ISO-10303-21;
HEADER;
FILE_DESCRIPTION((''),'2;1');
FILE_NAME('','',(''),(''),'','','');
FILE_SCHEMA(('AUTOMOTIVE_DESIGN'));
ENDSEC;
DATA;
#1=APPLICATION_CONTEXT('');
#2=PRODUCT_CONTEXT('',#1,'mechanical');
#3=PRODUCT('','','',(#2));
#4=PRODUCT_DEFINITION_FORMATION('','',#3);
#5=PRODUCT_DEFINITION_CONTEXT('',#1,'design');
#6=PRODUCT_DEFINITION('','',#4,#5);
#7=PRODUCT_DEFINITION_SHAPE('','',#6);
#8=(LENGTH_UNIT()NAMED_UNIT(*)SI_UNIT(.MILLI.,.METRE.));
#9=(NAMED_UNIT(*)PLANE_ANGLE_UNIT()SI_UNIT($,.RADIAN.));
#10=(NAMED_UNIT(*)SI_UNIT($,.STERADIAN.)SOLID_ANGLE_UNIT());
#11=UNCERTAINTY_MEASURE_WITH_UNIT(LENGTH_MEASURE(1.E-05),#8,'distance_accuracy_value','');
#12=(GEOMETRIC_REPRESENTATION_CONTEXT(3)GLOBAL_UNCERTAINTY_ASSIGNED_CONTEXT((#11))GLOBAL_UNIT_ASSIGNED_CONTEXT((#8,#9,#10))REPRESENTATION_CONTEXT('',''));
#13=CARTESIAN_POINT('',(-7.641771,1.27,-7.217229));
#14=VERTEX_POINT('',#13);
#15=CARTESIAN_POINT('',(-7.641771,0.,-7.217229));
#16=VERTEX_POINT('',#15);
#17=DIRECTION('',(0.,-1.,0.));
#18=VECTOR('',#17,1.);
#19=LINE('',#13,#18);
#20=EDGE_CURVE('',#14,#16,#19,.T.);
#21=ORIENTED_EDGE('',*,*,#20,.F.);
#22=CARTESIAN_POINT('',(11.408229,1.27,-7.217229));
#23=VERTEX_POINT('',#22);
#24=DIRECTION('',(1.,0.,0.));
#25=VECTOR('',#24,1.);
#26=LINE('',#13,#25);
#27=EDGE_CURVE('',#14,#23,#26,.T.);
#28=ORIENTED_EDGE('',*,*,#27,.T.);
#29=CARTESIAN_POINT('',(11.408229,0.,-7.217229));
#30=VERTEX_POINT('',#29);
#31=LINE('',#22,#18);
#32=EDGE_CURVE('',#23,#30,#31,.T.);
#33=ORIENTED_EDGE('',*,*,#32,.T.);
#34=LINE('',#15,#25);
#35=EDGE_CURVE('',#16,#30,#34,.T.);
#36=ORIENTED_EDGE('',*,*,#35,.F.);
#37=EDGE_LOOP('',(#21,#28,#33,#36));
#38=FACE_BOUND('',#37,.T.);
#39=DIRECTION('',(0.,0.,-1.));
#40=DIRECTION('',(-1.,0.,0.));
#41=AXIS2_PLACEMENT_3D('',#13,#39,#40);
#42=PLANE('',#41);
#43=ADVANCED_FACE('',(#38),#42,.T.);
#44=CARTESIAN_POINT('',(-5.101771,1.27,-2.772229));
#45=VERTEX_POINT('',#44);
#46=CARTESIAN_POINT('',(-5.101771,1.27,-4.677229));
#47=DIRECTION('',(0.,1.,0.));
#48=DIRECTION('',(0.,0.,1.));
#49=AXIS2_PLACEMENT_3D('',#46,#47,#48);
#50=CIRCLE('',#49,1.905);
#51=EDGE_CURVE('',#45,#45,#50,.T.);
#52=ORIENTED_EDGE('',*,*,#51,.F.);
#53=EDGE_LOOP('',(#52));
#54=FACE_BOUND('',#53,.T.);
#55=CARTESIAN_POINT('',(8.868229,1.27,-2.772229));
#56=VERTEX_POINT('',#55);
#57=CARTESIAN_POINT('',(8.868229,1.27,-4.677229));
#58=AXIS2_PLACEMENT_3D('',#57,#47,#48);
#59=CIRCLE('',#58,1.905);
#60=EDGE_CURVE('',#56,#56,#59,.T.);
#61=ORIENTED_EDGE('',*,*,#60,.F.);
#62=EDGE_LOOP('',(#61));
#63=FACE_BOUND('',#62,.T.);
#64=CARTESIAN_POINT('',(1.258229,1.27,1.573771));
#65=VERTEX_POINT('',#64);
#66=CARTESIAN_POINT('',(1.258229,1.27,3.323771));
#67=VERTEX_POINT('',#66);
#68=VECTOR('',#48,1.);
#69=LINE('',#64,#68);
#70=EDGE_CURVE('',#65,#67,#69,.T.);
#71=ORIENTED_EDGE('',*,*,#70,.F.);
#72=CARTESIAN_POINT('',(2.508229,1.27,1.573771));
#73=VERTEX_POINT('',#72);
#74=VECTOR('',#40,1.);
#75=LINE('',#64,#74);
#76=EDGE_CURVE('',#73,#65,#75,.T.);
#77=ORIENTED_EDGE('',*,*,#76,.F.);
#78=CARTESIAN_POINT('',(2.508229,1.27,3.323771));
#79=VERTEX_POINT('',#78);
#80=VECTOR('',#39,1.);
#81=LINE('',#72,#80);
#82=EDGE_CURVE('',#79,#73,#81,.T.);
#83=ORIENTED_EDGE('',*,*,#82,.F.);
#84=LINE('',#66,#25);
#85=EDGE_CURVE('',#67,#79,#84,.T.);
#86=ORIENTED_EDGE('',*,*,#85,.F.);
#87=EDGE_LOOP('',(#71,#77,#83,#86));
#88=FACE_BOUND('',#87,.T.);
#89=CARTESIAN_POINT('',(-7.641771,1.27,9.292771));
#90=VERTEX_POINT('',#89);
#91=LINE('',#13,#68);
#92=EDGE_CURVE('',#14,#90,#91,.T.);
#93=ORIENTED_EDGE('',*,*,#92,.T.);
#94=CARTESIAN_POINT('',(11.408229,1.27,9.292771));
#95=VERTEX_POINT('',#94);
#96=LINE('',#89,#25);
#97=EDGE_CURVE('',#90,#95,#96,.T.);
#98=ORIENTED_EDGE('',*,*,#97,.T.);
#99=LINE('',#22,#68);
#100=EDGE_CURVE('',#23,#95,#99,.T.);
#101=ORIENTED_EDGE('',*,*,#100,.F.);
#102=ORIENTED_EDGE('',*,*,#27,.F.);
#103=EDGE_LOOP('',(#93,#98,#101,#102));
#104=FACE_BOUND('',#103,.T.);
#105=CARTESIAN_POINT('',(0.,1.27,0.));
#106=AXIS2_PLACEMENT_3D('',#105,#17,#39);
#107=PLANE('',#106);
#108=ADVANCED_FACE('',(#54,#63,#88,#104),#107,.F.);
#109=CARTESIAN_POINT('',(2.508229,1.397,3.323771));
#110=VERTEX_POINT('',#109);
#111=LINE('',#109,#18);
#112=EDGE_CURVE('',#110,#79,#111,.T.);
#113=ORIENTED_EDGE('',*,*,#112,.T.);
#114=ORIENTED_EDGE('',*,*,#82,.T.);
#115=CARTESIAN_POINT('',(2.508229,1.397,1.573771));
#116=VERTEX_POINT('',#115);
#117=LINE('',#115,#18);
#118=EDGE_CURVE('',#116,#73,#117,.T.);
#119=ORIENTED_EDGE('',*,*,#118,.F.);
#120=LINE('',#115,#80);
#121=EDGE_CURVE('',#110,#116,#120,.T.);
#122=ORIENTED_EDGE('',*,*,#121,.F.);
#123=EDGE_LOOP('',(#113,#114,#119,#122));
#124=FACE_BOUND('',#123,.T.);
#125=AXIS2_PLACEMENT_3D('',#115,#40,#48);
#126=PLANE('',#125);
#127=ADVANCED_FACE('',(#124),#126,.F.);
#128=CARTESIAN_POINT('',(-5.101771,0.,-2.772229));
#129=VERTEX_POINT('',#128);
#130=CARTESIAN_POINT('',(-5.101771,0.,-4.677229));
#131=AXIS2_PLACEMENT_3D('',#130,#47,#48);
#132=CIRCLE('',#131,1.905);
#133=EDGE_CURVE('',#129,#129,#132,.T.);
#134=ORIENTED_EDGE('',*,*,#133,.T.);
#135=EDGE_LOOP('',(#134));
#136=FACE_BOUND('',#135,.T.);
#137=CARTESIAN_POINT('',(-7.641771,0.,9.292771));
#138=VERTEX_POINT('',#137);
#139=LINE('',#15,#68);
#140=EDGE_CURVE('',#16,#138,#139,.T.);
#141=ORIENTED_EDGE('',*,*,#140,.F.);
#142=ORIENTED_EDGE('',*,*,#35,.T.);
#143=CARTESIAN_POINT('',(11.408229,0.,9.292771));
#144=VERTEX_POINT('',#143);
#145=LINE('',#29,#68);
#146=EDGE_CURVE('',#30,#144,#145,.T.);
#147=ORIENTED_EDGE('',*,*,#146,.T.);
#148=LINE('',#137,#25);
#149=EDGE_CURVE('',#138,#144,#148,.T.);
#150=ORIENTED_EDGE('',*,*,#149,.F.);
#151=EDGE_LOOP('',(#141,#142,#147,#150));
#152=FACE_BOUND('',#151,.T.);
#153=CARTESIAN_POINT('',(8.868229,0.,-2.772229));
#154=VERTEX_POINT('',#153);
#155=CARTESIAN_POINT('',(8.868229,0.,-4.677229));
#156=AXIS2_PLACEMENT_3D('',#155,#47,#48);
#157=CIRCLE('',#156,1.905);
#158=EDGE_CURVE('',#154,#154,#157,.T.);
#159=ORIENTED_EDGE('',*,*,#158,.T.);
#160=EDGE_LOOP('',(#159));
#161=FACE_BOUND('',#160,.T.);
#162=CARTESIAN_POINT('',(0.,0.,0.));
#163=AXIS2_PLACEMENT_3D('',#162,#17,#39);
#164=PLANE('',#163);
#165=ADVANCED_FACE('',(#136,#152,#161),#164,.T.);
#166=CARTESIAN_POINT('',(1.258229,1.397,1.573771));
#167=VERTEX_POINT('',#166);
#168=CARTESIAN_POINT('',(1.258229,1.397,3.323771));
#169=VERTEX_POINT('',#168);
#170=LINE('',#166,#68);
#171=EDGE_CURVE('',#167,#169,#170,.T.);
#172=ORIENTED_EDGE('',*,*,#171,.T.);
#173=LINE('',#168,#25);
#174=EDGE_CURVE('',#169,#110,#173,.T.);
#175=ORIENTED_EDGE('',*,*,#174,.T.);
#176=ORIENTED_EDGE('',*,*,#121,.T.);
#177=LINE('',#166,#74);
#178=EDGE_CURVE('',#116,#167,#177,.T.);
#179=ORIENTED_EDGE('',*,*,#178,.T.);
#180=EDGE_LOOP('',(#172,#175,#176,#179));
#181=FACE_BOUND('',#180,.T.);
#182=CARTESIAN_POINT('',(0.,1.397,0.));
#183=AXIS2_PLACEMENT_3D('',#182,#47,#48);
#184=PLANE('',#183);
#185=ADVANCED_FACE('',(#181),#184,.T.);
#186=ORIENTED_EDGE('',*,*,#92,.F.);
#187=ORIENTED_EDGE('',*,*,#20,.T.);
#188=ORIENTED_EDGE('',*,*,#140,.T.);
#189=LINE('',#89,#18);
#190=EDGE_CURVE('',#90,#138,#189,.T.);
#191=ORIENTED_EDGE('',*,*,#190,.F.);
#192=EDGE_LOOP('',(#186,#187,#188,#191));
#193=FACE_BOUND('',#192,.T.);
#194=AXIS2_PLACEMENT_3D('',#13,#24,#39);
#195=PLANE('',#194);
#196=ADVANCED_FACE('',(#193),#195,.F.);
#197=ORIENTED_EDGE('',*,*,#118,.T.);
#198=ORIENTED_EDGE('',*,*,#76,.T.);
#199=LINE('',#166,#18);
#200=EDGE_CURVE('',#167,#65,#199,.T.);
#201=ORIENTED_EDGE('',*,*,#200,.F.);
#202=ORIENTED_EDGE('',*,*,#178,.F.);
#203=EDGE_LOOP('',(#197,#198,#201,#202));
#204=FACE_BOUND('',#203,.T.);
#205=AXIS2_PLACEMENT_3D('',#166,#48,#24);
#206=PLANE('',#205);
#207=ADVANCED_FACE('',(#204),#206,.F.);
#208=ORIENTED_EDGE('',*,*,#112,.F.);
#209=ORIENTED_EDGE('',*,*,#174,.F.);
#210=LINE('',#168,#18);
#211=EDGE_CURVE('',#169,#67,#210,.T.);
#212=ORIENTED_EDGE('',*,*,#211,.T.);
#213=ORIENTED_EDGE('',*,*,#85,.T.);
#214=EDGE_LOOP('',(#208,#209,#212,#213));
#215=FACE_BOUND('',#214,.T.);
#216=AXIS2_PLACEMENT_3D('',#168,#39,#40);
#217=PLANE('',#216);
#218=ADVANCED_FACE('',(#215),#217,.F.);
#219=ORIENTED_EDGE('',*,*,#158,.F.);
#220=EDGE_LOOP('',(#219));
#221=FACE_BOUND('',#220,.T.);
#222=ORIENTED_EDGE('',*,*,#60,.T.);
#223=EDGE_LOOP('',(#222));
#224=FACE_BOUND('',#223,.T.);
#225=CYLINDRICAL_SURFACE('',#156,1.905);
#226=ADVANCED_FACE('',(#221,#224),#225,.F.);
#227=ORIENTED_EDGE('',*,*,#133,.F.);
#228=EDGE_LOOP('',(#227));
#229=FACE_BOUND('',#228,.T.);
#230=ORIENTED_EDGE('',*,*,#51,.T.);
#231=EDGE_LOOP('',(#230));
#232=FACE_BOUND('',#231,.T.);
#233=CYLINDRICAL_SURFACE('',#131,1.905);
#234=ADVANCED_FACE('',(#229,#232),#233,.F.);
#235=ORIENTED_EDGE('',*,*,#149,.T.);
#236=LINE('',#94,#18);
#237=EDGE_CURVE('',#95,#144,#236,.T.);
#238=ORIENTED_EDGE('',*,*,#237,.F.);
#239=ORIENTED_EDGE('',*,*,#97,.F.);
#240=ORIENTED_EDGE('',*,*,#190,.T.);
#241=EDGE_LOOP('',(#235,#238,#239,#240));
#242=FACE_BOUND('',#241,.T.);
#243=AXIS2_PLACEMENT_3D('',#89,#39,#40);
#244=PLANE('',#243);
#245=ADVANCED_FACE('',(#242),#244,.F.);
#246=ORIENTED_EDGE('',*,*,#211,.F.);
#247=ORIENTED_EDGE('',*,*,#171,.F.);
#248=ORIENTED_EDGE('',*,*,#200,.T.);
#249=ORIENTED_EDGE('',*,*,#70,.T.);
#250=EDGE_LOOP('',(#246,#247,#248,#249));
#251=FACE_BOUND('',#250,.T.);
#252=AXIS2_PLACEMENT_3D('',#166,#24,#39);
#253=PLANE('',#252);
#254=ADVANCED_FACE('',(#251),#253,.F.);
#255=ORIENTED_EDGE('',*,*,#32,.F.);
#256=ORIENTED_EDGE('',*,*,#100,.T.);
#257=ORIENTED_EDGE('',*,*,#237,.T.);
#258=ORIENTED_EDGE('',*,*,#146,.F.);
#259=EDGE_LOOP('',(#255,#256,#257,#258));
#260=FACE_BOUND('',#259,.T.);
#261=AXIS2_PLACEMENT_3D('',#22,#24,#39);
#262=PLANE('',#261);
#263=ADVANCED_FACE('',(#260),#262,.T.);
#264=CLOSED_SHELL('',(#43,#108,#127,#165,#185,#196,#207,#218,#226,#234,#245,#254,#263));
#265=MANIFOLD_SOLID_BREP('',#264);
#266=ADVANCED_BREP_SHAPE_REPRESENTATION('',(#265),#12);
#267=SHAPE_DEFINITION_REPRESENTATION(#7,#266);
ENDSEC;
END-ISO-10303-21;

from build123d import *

# Parameters (mm, degrees)
SKETCH1_W           = 19.05
SKETCH1_H           = 16.51
BOSS_EXTRUDE1_DEPTH = 1.27
SKETCH2_R           = 1.905
CUT_EXTRUDE1_DEPTH  = 1.27
SKETCH3_W           = 1.25000004
SKETCH3_H           = 1.75
BOSS_EXTRUDE2_DEPTH = 0.127


with BuildPart() as part:
    # Sketch1 → Boss-Extrude1 (new body)
    with BuildSketch(Plane(origin=(0, 0, 0), x_dir=(1, 0, 0), z_dir=(0, 1, 0))):
        with Locations((1.883228571, -1.037771429)):
            Rectangle(SKETCH1_W, SKETCH1_H)
    extrude(amount=BOSS_EXTRUDE1_DEPTH)

    # Sketch2 → Cut-Extrude1 (cut)
    with BuildSketch(Plane(origin=(0, 1.27, 0), x_dir=(1, 0, 0), z_dir=(0, 1, 0))):
        with Locations((-5.101771429, 4.677228571)):
            Circle(SKETCH2_R)
        with Locations((8.868228571, 4.677228571)):
            Circle(SKETCH2_R)
    extrude(amount=-CUT_EXTRUDE1_DEPTH, mode=Mode.SUBTRACT)

    # Sketch3 → Boss-Extrude2 (add)
    with BuildSketch(Plane(origin=(0, 1.27, 0), x_dir=(1, 0, 0), z_dir=(0, 1, 0))):
        with Locations((1.883228571, -2.448771429)):
            Rectangle(SKETCH3_W, SKETCH3_H)
    extrude(amount=BOSS_EXTRUDE2_DEPTH)


solid = part.part
